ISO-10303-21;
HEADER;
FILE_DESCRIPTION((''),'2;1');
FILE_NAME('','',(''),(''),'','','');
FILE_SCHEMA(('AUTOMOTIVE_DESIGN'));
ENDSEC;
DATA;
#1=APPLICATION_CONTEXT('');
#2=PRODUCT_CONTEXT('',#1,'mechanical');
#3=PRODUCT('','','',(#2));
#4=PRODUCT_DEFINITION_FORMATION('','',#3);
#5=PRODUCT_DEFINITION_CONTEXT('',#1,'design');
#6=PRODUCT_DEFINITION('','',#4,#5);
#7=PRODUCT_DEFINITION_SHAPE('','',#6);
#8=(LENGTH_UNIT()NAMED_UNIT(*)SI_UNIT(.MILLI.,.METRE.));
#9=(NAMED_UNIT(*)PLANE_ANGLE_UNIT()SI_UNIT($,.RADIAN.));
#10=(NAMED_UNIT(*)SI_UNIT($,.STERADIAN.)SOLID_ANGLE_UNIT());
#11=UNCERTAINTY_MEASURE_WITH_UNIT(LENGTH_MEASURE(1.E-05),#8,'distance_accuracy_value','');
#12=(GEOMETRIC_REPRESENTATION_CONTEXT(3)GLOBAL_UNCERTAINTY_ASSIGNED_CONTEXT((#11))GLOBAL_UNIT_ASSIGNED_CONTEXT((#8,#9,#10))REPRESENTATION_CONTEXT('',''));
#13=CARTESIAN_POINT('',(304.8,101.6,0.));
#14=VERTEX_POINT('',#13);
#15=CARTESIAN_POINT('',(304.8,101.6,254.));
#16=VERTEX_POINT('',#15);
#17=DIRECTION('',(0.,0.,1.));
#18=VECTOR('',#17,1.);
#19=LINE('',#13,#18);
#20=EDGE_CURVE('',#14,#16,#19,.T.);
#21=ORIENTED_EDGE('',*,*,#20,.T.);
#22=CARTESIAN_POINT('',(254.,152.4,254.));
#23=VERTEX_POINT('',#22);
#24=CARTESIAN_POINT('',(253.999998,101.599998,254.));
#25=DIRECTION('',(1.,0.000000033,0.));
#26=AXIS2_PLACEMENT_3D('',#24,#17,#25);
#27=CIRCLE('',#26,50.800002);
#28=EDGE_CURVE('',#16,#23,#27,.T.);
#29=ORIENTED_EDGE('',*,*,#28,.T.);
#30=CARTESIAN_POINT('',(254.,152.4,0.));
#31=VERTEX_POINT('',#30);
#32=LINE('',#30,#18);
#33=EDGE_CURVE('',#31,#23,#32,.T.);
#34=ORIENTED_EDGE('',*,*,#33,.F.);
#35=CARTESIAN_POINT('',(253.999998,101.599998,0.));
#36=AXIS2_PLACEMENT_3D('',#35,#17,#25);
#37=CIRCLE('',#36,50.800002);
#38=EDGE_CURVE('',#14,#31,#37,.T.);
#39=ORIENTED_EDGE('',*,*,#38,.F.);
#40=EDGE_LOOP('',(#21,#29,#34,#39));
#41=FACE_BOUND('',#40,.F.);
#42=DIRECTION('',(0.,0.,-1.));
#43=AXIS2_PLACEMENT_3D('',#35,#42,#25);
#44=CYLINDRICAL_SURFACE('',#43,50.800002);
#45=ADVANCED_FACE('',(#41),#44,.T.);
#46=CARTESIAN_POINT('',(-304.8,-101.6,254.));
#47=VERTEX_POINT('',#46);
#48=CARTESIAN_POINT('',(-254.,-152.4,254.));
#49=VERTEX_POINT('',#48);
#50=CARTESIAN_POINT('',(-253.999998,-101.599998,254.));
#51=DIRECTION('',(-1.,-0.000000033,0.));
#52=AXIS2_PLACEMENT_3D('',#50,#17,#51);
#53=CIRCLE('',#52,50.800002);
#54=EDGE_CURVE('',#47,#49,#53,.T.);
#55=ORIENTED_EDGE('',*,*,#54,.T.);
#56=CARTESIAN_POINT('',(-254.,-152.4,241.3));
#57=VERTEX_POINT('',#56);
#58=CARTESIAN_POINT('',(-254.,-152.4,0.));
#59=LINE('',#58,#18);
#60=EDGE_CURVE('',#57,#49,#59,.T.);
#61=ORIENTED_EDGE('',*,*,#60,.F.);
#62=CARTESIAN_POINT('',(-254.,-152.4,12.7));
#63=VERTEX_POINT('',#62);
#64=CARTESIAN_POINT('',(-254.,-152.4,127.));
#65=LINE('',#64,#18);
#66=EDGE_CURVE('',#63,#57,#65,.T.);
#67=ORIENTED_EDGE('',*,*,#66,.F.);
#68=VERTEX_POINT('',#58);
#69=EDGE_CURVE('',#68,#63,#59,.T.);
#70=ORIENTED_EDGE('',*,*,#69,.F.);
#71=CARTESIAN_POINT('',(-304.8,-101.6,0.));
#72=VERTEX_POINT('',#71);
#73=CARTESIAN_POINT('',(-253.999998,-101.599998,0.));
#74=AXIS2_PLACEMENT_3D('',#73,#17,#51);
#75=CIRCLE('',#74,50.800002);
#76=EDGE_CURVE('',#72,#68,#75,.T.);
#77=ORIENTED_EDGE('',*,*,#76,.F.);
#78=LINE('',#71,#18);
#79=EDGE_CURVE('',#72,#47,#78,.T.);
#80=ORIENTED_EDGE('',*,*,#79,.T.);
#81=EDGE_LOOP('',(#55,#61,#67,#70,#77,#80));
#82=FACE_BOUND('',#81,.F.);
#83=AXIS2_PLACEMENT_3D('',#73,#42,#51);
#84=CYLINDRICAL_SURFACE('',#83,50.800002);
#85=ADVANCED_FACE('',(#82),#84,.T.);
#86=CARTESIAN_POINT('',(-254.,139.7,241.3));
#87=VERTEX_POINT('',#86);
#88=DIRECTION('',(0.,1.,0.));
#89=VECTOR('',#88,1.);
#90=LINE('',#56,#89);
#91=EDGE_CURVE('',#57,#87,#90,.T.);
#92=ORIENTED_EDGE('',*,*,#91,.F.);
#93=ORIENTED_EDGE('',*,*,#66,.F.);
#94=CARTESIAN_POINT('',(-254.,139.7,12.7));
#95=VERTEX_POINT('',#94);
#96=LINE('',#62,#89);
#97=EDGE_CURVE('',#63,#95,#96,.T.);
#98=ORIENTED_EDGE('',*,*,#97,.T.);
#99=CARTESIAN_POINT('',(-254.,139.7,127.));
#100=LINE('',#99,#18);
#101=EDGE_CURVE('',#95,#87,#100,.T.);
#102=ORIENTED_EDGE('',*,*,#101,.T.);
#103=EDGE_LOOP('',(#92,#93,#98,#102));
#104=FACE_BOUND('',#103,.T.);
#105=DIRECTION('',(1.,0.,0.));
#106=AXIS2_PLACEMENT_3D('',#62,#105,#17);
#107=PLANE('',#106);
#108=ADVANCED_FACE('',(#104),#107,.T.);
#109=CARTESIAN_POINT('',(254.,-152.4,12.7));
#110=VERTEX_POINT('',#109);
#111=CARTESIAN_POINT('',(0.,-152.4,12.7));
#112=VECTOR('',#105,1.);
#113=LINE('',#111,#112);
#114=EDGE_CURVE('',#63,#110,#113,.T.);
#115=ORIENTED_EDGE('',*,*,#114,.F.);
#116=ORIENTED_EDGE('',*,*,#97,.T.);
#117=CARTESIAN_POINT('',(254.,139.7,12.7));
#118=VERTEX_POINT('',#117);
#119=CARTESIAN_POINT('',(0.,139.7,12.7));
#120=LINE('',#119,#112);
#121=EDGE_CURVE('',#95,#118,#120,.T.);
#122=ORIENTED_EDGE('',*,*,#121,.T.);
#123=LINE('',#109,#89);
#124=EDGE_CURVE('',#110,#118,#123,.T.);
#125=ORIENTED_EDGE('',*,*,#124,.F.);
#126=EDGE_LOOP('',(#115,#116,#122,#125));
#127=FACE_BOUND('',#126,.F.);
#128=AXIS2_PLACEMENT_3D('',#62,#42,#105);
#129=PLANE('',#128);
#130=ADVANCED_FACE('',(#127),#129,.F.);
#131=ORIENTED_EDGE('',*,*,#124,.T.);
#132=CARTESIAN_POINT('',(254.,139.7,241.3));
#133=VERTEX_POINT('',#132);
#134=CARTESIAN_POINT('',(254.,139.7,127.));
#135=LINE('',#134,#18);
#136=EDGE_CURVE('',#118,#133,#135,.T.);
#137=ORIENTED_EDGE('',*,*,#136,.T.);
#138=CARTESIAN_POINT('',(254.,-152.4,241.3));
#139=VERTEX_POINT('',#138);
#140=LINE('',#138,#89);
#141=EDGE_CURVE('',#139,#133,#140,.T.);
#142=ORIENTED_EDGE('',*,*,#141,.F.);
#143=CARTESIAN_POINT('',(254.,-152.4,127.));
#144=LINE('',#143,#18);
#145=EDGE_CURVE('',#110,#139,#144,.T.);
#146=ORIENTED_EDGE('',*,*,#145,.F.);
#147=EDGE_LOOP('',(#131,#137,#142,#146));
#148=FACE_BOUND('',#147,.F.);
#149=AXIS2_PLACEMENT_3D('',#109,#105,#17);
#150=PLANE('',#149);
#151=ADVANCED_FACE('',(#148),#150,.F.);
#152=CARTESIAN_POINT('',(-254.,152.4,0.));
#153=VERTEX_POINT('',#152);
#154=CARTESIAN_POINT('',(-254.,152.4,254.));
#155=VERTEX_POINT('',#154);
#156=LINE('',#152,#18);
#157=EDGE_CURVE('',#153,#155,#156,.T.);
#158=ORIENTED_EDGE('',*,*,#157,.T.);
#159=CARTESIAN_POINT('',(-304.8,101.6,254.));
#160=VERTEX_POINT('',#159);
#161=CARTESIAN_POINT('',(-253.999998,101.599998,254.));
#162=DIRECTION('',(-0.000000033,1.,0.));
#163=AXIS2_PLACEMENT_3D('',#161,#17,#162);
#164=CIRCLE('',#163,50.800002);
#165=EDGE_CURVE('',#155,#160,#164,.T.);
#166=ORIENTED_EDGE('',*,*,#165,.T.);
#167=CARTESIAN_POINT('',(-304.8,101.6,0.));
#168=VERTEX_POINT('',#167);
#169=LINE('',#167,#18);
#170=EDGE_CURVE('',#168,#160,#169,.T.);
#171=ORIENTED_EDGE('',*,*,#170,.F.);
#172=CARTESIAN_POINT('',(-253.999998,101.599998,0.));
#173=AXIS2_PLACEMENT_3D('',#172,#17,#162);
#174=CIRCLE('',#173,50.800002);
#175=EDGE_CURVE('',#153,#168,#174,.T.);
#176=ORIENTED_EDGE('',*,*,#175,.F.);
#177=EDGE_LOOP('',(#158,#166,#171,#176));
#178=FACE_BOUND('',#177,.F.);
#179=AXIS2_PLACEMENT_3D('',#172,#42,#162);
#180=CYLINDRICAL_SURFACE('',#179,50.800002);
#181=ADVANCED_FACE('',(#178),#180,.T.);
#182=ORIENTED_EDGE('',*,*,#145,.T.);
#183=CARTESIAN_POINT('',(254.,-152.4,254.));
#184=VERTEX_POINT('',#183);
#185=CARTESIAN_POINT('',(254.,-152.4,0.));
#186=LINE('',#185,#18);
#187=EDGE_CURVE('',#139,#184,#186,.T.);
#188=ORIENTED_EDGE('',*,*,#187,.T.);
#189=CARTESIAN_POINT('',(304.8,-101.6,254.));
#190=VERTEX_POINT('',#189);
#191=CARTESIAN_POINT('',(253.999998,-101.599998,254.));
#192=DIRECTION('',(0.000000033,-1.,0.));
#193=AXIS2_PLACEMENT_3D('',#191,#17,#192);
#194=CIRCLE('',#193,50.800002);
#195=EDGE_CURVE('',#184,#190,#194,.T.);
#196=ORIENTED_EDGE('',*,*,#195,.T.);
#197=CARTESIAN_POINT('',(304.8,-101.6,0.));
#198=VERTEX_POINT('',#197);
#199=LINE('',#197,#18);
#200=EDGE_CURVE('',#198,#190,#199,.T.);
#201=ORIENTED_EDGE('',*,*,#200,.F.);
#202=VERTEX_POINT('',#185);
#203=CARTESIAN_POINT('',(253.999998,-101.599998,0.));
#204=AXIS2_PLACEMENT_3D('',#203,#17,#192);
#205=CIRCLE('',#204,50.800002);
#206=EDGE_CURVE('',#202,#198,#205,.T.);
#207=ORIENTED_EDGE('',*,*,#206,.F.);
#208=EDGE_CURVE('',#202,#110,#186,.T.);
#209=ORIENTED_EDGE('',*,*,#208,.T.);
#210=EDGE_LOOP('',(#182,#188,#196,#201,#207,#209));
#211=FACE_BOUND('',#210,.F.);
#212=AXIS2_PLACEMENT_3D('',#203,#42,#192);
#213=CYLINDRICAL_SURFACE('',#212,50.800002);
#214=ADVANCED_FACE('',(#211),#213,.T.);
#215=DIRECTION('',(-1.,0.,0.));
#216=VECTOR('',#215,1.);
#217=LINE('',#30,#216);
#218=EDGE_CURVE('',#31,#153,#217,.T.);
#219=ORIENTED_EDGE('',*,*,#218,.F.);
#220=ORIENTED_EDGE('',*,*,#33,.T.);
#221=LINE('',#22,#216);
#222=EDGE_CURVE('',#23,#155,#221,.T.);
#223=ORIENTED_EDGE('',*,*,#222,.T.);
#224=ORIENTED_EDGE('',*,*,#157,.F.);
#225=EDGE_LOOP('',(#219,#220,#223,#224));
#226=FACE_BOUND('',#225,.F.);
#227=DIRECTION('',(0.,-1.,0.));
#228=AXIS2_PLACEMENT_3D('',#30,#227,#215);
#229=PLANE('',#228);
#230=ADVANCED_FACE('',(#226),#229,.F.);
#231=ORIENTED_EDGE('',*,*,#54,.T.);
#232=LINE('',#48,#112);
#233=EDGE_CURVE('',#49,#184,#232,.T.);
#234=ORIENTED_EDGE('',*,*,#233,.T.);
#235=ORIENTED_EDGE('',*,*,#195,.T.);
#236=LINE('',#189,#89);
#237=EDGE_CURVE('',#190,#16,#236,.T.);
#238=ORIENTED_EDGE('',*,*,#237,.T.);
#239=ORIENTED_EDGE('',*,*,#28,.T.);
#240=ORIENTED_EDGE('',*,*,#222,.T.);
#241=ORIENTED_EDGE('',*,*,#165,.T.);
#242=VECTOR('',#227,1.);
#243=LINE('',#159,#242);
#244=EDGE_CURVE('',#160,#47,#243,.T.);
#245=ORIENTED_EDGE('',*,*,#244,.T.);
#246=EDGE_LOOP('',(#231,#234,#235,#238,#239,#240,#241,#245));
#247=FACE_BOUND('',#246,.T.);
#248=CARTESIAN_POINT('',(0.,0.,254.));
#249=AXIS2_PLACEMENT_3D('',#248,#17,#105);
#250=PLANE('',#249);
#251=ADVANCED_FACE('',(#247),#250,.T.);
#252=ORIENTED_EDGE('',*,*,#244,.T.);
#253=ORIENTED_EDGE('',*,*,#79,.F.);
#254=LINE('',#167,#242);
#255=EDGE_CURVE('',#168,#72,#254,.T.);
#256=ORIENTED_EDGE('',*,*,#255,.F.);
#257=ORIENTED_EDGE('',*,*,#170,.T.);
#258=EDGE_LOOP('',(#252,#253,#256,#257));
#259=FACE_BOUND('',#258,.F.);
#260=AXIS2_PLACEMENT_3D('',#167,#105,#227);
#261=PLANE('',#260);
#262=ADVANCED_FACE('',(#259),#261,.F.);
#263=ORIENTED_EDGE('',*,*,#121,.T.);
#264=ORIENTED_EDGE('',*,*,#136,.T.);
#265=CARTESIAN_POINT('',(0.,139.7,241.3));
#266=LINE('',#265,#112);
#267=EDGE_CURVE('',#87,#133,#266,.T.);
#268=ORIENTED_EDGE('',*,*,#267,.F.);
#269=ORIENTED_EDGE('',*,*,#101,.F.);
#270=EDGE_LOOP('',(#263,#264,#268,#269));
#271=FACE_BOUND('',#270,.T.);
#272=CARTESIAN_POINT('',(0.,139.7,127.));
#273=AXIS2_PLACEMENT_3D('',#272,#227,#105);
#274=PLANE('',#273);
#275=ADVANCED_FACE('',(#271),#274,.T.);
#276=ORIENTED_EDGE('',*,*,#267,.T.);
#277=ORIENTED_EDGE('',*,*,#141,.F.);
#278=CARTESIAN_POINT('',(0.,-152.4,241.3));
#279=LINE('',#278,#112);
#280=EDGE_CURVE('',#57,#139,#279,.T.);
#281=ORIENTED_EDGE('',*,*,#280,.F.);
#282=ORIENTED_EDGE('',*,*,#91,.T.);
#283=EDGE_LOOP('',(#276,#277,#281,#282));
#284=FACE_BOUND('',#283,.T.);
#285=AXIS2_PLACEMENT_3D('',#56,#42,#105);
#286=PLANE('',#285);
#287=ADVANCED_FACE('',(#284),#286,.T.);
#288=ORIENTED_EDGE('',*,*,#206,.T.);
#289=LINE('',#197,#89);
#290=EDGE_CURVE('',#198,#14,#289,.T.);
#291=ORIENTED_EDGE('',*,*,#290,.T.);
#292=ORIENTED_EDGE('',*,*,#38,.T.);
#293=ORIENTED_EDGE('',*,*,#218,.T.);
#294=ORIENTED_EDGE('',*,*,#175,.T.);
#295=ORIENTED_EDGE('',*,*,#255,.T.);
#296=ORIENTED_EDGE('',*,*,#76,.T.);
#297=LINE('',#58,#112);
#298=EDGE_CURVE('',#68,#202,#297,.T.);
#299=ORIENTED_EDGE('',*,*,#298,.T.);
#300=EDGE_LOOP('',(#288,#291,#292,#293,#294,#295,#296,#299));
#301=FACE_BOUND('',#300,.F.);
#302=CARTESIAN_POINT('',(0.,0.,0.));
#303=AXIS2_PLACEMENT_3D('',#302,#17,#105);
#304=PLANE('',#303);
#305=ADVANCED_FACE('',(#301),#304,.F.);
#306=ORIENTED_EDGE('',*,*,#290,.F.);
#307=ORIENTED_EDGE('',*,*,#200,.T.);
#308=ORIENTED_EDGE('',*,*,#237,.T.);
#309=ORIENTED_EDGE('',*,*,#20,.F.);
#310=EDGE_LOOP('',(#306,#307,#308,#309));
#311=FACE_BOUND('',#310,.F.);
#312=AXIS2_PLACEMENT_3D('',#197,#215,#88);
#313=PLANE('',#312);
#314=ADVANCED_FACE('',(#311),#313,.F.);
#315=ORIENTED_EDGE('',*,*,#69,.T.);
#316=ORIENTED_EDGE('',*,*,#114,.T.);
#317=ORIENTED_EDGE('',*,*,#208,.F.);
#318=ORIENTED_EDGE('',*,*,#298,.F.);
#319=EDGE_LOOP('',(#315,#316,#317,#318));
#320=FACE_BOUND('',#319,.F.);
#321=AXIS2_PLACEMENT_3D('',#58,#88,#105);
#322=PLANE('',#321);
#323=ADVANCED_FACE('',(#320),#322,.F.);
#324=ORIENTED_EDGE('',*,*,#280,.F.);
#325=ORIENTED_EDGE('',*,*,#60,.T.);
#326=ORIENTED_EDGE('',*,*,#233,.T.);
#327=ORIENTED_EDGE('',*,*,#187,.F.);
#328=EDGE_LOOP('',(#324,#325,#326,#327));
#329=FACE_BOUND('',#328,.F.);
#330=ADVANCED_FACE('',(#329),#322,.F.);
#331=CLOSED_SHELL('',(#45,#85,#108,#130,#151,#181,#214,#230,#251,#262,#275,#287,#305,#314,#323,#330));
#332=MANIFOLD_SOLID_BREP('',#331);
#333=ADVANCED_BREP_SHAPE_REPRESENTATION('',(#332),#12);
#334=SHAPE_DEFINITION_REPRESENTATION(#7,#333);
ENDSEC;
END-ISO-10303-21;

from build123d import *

# Parameters (mm, degrees)
F1_DEPTH = 254
F2_W     = 508
F2_H     = 228.6
F3_DEPTH = 292.1


with BuildPart() as f1:
    # F0 (on Top) → F1 (new body)
    with BuildSketch(Plane.XY):
        with BuildLine():
            ThreePointArc((-304.8, -101.6), (-289.921024, -137.521024), (-254, -152.4))
            Line((-254, -152.4), (254, -152.4))
            ThreePointArc((254, -152.4), (289.921024, -137.521024), (304.8, -101.6))
            Line((304.8, -101.6), (304.8, 101.6))
            ThreePointArc((304.8, 101.6), (289.921024, 137.521024), (254, 152.4))
            Line((254, 152.4), (-254, 152.4))
            ThreePointArc((-254, 152.4), (-289.921024, 137.521024), (-304.8, 101.6))
            Line((-304.8, 101.6), (-304.8, -101.6))
        make_face()
    extrude(amount=F1_DEPTH)

    # F2 (on face) → F3 (cut)
    with BuildSketch(Plane.XZ.offset(152.4)):
        with Locations((0, 127)):
            Rectangle(F2_W, F2_H)
    extrude(amount=-F3_DEPTH, mode=Mode.SUBTRACT)


solid = f1.part
